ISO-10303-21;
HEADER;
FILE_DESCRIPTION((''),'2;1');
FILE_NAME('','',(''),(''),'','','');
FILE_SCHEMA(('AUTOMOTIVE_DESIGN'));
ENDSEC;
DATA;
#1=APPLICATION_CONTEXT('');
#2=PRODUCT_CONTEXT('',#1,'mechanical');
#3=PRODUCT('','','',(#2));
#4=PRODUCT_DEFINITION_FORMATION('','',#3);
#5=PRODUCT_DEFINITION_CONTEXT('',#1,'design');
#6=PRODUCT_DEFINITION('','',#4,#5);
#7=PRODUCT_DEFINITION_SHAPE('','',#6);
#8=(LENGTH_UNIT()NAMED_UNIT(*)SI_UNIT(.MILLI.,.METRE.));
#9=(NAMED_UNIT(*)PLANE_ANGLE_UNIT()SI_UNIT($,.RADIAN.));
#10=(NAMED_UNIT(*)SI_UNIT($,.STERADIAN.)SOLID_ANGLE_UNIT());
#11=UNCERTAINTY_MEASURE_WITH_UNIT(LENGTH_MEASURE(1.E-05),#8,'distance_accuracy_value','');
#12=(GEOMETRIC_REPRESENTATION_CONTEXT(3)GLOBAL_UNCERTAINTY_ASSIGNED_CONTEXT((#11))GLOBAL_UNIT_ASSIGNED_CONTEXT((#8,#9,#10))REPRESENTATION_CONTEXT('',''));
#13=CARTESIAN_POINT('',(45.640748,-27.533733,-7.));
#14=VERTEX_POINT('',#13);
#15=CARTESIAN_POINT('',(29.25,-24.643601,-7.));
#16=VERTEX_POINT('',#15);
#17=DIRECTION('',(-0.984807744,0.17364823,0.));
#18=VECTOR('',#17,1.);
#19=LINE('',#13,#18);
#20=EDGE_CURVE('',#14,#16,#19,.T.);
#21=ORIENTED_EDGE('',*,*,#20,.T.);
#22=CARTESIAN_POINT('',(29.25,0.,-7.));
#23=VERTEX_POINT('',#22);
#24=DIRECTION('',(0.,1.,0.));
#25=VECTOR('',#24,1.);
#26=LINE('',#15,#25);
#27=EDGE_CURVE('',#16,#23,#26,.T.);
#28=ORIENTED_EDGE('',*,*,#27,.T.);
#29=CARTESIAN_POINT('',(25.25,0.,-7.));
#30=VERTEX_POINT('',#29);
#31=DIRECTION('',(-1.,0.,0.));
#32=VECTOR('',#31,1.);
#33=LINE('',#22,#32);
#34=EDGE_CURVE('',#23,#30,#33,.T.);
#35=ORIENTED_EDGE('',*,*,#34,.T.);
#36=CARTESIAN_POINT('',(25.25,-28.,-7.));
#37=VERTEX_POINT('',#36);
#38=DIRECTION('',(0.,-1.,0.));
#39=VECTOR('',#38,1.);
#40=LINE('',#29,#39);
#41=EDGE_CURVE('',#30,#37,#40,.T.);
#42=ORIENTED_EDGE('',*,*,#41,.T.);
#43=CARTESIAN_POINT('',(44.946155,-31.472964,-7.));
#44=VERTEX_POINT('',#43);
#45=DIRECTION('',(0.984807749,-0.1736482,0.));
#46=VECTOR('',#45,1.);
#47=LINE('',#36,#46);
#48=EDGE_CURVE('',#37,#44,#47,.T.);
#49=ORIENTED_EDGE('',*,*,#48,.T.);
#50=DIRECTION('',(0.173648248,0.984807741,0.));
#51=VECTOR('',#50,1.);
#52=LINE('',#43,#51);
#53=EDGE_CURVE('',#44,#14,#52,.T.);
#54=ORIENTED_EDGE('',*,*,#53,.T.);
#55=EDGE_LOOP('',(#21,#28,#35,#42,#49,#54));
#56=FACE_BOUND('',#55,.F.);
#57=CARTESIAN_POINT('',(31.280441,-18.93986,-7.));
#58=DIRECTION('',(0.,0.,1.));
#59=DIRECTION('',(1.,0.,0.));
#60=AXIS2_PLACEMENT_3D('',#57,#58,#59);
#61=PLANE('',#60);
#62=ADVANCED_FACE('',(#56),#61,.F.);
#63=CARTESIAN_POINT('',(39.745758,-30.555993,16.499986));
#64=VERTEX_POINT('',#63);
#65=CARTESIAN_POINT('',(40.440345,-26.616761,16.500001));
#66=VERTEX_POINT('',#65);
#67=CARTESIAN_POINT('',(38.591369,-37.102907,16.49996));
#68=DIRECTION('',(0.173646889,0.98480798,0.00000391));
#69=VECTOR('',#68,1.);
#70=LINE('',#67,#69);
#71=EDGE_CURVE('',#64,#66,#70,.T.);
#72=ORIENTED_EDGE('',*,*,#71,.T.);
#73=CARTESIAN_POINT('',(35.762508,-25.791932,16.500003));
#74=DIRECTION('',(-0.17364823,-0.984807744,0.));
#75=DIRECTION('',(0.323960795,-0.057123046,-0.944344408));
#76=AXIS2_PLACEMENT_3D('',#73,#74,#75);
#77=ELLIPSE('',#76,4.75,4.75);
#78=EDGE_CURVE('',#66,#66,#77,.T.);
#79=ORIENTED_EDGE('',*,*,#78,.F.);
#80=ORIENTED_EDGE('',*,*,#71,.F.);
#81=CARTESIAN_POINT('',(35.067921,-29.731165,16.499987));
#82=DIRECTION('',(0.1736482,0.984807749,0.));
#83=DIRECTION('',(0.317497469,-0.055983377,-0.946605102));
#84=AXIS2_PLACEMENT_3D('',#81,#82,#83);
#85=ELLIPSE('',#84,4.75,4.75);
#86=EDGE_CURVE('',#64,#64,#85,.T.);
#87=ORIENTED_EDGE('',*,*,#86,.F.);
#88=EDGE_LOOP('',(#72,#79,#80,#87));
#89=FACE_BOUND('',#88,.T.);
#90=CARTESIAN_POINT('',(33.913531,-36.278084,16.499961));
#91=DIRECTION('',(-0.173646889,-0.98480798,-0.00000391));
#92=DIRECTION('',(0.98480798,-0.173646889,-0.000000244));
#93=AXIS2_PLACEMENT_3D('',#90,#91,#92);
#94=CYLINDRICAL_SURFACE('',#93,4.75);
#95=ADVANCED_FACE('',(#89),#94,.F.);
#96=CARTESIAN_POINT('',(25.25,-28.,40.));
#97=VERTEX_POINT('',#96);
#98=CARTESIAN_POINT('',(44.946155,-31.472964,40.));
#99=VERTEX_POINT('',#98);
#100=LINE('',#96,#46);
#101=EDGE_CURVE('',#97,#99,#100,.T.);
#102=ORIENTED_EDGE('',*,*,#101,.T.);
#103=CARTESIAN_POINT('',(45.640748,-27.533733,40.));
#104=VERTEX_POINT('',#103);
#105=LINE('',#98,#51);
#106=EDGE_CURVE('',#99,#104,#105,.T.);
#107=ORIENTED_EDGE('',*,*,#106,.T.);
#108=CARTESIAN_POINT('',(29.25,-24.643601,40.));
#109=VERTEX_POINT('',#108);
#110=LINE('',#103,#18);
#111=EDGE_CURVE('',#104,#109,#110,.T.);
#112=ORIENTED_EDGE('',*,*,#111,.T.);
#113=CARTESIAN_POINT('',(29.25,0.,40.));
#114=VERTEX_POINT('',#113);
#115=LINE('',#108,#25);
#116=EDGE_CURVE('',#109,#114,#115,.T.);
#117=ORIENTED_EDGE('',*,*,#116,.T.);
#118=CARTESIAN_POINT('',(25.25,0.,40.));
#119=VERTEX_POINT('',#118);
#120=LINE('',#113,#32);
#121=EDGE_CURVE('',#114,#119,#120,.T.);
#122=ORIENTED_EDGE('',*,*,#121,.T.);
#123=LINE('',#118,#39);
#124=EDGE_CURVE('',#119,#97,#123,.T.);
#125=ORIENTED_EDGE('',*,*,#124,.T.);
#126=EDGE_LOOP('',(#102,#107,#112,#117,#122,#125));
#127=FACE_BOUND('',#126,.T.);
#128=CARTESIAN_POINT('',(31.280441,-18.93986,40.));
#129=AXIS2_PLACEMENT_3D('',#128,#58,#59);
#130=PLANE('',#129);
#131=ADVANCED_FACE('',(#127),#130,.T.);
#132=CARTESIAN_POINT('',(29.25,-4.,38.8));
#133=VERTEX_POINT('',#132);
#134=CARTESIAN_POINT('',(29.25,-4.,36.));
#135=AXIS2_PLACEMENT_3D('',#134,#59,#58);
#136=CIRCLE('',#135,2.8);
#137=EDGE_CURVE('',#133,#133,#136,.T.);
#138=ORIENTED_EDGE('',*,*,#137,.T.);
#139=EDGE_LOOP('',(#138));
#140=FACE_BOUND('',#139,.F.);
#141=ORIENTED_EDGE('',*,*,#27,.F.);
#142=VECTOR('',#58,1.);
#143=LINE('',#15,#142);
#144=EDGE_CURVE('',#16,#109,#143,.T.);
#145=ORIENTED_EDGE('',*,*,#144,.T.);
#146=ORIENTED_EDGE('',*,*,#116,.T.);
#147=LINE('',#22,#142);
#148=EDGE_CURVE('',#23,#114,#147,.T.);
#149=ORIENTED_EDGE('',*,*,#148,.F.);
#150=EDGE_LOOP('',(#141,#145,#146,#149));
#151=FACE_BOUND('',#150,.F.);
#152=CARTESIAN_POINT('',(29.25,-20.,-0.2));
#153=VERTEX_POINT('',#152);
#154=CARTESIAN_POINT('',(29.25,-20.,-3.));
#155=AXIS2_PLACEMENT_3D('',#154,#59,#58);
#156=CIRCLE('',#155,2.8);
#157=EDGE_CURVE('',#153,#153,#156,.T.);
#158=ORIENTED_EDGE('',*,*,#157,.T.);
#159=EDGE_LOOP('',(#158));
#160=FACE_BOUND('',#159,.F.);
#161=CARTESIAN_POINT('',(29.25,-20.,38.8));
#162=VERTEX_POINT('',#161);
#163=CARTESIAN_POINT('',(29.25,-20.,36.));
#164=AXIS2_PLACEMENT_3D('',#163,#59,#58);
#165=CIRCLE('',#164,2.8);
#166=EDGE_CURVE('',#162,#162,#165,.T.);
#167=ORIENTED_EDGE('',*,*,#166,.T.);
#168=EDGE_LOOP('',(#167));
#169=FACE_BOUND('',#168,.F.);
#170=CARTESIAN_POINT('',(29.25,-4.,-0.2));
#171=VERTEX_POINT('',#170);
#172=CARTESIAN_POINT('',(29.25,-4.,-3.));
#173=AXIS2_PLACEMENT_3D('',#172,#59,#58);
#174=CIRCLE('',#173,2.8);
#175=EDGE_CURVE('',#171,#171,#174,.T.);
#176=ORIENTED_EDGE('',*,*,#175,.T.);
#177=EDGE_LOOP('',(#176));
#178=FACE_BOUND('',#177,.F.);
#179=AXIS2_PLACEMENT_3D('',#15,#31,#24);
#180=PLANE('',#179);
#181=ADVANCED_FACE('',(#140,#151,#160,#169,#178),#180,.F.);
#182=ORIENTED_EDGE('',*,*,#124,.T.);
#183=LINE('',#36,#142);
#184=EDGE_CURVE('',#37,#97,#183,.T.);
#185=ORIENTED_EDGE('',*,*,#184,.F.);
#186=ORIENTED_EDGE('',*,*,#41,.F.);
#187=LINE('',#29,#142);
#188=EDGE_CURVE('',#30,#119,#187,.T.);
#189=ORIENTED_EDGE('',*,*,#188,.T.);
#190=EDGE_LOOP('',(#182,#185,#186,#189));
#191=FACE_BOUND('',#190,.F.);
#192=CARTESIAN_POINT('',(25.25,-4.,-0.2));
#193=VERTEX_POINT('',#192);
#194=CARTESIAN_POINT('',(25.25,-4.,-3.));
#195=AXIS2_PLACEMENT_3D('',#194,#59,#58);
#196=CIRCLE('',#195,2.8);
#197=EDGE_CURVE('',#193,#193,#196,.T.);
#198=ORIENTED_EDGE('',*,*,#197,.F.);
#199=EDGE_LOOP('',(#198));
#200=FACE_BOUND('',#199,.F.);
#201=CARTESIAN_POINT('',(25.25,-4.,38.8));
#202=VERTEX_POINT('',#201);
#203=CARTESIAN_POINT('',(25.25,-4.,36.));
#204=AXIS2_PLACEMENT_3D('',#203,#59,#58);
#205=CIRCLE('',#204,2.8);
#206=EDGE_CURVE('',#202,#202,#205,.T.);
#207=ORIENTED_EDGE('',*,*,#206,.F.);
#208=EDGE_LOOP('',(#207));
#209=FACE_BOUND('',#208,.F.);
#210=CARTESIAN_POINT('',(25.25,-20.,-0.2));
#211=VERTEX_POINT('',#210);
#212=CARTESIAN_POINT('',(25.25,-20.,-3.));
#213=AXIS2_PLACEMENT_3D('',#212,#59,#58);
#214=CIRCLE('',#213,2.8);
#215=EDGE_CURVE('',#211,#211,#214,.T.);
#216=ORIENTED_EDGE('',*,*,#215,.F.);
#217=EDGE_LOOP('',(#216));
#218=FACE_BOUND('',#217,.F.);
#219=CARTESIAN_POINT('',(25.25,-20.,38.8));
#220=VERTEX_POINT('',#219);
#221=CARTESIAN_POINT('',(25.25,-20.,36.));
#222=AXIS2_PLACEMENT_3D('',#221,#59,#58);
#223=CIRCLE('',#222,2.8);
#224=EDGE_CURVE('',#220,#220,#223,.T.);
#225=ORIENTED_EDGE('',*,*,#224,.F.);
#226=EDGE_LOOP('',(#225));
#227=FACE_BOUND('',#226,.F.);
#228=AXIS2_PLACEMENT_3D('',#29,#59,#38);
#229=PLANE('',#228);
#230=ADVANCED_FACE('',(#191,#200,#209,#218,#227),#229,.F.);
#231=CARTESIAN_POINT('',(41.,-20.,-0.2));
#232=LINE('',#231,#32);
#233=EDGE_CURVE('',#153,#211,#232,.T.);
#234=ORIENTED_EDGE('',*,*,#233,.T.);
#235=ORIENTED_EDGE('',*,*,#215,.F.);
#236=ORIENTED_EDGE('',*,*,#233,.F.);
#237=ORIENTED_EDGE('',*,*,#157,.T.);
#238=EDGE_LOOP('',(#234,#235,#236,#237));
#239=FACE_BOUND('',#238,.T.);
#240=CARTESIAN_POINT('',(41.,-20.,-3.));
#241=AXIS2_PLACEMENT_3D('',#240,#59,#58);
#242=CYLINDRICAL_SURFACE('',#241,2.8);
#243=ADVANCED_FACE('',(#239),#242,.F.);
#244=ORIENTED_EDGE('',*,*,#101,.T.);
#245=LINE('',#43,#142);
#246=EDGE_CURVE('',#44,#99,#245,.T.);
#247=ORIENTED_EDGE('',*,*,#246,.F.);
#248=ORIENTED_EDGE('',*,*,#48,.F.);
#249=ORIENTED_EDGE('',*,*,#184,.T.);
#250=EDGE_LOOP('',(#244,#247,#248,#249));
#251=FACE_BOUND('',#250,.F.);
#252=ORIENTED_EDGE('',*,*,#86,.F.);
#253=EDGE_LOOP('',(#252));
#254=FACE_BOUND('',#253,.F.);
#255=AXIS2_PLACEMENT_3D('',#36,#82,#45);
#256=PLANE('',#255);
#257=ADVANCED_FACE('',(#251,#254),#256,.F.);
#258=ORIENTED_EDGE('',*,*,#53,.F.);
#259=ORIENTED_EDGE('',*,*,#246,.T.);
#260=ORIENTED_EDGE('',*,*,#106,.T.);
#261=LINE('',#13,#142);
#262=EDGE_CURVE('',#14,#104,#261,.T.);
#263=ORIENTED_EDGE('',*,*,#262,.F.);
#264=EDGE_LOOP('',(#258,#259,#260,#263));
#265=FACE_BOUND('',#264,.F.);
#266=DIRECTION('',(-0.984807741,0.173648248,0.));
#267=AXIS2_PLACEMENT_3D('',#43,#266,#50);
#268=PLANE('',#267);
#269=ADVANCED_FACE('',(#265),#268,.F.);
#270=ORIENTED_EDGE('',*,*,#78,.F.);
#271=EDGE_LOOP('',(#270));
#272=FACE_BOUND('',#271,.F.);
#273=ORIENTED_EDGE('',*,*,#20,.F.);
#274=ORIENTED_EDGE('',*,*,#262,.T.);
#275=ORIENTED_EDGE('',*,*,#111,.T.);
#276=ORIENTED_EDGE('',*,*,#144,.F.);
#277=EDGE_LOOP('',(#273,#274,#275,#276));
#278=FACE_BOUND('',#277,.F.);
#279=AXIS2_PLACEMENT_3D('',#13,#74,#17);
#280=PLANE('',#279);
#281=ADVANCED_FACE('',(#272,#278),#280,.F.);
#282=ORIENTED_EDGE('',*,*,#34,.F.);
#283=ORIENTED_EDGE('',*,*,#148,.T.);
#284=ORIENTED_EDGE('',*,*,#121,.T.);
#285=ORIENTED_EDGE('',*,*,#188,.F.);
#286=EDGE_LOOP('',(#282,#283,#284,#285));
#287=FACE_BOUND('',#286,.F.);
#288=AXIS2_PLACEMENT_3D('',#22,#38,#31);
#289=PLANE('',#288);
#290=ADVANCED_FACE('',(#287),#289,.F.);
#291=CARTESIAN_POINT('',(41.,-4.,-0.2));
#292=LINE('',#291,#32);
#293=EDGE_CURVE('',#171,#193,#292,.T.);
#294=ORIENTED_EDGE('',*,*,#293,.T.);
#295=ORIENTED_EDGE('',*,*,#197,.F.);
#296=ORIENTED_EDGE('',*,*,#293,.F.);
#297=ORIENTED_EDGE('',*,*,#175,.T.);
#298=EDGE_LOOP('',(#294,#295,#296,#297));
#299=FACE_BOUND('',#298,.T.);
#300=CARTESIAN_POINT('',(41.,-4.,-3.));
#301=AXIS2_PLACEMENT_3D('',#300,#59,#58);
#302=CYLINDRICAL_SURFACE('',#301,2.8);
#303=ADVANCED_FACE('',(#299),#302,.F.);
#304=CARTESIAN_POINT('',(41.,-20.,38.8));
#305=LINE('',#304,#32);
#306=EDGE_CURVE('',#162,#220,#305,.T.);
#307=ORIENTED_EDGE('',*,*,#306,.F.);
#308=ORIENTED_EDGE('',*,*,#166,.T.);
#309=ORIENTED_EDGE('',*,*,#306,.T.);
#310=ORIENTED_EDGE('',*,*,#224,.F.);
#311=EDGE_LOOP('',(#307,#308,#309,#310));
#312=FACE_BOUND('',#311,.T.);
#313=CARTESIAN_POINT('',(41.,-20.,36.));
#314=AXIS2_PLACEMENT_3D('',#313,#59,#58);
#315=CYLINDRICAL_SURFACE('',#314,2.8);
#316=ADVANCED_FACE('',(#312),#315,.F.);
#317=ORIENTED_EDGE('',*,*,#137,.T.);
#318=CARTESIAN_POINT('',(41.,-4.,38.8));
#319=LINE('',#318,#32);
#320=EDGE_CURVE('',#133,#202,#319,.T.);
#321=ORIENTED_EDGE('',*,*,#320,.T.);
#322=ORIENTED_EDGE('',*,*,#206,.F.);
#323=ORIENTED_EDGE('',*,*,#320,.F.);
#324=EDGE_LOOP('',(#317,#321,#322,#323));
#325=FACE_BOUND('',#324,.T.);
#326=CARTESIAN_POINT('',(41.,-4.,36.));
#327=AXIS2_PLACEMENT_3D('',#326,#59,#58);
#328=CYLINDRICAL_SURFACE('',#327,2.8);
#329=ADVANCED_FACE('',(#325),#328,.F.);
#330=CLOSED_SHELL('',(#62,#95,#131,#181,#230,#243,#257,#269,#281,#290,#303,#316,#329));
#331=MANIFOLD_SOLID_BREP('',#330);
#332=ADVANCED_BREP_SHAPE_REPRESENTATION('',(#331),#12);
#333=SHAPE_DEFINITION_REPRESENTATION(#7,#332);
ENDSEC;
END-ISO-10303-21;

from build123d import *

# Parameters (mm, degrees)
CYLINDER017_R               = 2.8
CYLINDER017_DEPTH           = 60
CYLINDER016_R               = 2.8
CYLINDER016_DEPTH           = 60
CYLINDER022_R               = 2.8
CYLINDER022_DEPTH           = 60
CYLINDER021_R               = 2.8
CYLINDER021_DEPTH           = 60
CYLINDER026_R               = 4.75
CYLINDER026_DEPTH           = 16
CYLINDER026_ROLL_ANGLE      = -89.999776
CYLINDER026_PITCH_ANGLE     = 1.4e-05
CYLINDER026_PLACEMENT_ANGLE = -9.999925
PAD006_DEPTH                = 47


with BuildPart() as u006:
    # Cylinder017 → Cylinder017 (new body)
    with BuildSketch(Plane(origin=(41, -20, -3), x_dir=(0, 0, 1), z_dir=(-1, 0, 0))):
        Circle(CYLINDER017_R)
    extrude(amount=CYLINDER017_DEPTH)


with BuildPart() as u005:
    # Cylinder016 → Cylinder016 (new body)
    with BuildSketch(Plane(origin=(41, -4, -3), x_dir=(0, 0, 1), z_dir=(-1, 0, 0))):
        Circle(CYLINDER016_R)
    extrude(amount=CYLINDER016_DEPTH)


with BuildPart() as o006:
    # Cylinder022 → Cylinder022 (new body)
    with BuildSketch(Plane(origin=(41, -4, 36), x_dir=(0, 0, 1), z_dir=(-1, 0, 0))):
        Circle(CYLINDER022_R)
    extrude(amount=CYLINDER022_DEPTH)


with BuildPart() as o005:
    # Cylinder021 → Cylinder021 (new body)
    with BuildSketch(Plane(origin=(41, -20, 36), x_dir=(0, 0, 1), z_dir=(-1, 0, 0))):
        Circle(CYLINDER021_R)
    extrude(amount=CYLINDER021_DEPTH)


with BuildPart() as cylinder026:
    # Cylinder026 → Cylinder026 (new body)
    with BuildSketch(Plane.XY):
        Circle(CYLINDER026_R)
    extrude(amount=CYLINDER026_DEPTH)


with BuildPart() as cylinder026_1:
    # Cylinder026 roll: moved
    add(cylinder026.part.rotate(Axis((0, 0, 0), (1, 0, 0)), CYLINDER026_ROLL_ANGLE))


with BuildPart() as cylinder026_2:
    # Cylinder026 pitch: moved
    add(cylinder026_1.part.rotate(Axis((0, 0, 0), (0, 1, 0)), CYLINDER026_PITCH_ANGLE))


with BuildPart() as cylinder026_3:
    # Cylinder026 placement: moved
    add(cylinder026_2.part.moved(Location((33.913531, -36.278084, 16.499961))).rotate(Axis((33.913531, -36.278084, 16.499961), (0, 0, 1)), CYLINDER026_PLACEMENT_ANGLE))


with BuildPart() as cut027:
    # Sketch006 → Pad006 (new body)
    with BuildSketch(Plane.XY):
        Polygon((29.25, 0), (25.25, 0), (25.25, -28), (44.946155, -31.472964), (45.640748, -27.533733), (29.25, -24.643601), align=None)
    extrude(amount=PAD006_DEPTH)


with BuildPart() as cut027_1:
    # Body006 placement: moved
    add(cut027.part.moved(Location((0, 0, -7))))

    # Cut021: cut Cylinder026
    add(cylinder026_3.part, mode=Mode.SUBTRACT)

    # Cut024: cut O005
    add(o005.part, mode=Mode.SUBTRACT)

    # Cut025: cut O006
    add(o006.part, mode=Mode.SUBTRACT)

    # Cut026: cut U005
    add(u005.part, mode=Mode.SUBTRACT)

    # Cut027: cut U006
    add(u006.part, mode=Mode.SUBTRACT)


solid = cut027_1.part
